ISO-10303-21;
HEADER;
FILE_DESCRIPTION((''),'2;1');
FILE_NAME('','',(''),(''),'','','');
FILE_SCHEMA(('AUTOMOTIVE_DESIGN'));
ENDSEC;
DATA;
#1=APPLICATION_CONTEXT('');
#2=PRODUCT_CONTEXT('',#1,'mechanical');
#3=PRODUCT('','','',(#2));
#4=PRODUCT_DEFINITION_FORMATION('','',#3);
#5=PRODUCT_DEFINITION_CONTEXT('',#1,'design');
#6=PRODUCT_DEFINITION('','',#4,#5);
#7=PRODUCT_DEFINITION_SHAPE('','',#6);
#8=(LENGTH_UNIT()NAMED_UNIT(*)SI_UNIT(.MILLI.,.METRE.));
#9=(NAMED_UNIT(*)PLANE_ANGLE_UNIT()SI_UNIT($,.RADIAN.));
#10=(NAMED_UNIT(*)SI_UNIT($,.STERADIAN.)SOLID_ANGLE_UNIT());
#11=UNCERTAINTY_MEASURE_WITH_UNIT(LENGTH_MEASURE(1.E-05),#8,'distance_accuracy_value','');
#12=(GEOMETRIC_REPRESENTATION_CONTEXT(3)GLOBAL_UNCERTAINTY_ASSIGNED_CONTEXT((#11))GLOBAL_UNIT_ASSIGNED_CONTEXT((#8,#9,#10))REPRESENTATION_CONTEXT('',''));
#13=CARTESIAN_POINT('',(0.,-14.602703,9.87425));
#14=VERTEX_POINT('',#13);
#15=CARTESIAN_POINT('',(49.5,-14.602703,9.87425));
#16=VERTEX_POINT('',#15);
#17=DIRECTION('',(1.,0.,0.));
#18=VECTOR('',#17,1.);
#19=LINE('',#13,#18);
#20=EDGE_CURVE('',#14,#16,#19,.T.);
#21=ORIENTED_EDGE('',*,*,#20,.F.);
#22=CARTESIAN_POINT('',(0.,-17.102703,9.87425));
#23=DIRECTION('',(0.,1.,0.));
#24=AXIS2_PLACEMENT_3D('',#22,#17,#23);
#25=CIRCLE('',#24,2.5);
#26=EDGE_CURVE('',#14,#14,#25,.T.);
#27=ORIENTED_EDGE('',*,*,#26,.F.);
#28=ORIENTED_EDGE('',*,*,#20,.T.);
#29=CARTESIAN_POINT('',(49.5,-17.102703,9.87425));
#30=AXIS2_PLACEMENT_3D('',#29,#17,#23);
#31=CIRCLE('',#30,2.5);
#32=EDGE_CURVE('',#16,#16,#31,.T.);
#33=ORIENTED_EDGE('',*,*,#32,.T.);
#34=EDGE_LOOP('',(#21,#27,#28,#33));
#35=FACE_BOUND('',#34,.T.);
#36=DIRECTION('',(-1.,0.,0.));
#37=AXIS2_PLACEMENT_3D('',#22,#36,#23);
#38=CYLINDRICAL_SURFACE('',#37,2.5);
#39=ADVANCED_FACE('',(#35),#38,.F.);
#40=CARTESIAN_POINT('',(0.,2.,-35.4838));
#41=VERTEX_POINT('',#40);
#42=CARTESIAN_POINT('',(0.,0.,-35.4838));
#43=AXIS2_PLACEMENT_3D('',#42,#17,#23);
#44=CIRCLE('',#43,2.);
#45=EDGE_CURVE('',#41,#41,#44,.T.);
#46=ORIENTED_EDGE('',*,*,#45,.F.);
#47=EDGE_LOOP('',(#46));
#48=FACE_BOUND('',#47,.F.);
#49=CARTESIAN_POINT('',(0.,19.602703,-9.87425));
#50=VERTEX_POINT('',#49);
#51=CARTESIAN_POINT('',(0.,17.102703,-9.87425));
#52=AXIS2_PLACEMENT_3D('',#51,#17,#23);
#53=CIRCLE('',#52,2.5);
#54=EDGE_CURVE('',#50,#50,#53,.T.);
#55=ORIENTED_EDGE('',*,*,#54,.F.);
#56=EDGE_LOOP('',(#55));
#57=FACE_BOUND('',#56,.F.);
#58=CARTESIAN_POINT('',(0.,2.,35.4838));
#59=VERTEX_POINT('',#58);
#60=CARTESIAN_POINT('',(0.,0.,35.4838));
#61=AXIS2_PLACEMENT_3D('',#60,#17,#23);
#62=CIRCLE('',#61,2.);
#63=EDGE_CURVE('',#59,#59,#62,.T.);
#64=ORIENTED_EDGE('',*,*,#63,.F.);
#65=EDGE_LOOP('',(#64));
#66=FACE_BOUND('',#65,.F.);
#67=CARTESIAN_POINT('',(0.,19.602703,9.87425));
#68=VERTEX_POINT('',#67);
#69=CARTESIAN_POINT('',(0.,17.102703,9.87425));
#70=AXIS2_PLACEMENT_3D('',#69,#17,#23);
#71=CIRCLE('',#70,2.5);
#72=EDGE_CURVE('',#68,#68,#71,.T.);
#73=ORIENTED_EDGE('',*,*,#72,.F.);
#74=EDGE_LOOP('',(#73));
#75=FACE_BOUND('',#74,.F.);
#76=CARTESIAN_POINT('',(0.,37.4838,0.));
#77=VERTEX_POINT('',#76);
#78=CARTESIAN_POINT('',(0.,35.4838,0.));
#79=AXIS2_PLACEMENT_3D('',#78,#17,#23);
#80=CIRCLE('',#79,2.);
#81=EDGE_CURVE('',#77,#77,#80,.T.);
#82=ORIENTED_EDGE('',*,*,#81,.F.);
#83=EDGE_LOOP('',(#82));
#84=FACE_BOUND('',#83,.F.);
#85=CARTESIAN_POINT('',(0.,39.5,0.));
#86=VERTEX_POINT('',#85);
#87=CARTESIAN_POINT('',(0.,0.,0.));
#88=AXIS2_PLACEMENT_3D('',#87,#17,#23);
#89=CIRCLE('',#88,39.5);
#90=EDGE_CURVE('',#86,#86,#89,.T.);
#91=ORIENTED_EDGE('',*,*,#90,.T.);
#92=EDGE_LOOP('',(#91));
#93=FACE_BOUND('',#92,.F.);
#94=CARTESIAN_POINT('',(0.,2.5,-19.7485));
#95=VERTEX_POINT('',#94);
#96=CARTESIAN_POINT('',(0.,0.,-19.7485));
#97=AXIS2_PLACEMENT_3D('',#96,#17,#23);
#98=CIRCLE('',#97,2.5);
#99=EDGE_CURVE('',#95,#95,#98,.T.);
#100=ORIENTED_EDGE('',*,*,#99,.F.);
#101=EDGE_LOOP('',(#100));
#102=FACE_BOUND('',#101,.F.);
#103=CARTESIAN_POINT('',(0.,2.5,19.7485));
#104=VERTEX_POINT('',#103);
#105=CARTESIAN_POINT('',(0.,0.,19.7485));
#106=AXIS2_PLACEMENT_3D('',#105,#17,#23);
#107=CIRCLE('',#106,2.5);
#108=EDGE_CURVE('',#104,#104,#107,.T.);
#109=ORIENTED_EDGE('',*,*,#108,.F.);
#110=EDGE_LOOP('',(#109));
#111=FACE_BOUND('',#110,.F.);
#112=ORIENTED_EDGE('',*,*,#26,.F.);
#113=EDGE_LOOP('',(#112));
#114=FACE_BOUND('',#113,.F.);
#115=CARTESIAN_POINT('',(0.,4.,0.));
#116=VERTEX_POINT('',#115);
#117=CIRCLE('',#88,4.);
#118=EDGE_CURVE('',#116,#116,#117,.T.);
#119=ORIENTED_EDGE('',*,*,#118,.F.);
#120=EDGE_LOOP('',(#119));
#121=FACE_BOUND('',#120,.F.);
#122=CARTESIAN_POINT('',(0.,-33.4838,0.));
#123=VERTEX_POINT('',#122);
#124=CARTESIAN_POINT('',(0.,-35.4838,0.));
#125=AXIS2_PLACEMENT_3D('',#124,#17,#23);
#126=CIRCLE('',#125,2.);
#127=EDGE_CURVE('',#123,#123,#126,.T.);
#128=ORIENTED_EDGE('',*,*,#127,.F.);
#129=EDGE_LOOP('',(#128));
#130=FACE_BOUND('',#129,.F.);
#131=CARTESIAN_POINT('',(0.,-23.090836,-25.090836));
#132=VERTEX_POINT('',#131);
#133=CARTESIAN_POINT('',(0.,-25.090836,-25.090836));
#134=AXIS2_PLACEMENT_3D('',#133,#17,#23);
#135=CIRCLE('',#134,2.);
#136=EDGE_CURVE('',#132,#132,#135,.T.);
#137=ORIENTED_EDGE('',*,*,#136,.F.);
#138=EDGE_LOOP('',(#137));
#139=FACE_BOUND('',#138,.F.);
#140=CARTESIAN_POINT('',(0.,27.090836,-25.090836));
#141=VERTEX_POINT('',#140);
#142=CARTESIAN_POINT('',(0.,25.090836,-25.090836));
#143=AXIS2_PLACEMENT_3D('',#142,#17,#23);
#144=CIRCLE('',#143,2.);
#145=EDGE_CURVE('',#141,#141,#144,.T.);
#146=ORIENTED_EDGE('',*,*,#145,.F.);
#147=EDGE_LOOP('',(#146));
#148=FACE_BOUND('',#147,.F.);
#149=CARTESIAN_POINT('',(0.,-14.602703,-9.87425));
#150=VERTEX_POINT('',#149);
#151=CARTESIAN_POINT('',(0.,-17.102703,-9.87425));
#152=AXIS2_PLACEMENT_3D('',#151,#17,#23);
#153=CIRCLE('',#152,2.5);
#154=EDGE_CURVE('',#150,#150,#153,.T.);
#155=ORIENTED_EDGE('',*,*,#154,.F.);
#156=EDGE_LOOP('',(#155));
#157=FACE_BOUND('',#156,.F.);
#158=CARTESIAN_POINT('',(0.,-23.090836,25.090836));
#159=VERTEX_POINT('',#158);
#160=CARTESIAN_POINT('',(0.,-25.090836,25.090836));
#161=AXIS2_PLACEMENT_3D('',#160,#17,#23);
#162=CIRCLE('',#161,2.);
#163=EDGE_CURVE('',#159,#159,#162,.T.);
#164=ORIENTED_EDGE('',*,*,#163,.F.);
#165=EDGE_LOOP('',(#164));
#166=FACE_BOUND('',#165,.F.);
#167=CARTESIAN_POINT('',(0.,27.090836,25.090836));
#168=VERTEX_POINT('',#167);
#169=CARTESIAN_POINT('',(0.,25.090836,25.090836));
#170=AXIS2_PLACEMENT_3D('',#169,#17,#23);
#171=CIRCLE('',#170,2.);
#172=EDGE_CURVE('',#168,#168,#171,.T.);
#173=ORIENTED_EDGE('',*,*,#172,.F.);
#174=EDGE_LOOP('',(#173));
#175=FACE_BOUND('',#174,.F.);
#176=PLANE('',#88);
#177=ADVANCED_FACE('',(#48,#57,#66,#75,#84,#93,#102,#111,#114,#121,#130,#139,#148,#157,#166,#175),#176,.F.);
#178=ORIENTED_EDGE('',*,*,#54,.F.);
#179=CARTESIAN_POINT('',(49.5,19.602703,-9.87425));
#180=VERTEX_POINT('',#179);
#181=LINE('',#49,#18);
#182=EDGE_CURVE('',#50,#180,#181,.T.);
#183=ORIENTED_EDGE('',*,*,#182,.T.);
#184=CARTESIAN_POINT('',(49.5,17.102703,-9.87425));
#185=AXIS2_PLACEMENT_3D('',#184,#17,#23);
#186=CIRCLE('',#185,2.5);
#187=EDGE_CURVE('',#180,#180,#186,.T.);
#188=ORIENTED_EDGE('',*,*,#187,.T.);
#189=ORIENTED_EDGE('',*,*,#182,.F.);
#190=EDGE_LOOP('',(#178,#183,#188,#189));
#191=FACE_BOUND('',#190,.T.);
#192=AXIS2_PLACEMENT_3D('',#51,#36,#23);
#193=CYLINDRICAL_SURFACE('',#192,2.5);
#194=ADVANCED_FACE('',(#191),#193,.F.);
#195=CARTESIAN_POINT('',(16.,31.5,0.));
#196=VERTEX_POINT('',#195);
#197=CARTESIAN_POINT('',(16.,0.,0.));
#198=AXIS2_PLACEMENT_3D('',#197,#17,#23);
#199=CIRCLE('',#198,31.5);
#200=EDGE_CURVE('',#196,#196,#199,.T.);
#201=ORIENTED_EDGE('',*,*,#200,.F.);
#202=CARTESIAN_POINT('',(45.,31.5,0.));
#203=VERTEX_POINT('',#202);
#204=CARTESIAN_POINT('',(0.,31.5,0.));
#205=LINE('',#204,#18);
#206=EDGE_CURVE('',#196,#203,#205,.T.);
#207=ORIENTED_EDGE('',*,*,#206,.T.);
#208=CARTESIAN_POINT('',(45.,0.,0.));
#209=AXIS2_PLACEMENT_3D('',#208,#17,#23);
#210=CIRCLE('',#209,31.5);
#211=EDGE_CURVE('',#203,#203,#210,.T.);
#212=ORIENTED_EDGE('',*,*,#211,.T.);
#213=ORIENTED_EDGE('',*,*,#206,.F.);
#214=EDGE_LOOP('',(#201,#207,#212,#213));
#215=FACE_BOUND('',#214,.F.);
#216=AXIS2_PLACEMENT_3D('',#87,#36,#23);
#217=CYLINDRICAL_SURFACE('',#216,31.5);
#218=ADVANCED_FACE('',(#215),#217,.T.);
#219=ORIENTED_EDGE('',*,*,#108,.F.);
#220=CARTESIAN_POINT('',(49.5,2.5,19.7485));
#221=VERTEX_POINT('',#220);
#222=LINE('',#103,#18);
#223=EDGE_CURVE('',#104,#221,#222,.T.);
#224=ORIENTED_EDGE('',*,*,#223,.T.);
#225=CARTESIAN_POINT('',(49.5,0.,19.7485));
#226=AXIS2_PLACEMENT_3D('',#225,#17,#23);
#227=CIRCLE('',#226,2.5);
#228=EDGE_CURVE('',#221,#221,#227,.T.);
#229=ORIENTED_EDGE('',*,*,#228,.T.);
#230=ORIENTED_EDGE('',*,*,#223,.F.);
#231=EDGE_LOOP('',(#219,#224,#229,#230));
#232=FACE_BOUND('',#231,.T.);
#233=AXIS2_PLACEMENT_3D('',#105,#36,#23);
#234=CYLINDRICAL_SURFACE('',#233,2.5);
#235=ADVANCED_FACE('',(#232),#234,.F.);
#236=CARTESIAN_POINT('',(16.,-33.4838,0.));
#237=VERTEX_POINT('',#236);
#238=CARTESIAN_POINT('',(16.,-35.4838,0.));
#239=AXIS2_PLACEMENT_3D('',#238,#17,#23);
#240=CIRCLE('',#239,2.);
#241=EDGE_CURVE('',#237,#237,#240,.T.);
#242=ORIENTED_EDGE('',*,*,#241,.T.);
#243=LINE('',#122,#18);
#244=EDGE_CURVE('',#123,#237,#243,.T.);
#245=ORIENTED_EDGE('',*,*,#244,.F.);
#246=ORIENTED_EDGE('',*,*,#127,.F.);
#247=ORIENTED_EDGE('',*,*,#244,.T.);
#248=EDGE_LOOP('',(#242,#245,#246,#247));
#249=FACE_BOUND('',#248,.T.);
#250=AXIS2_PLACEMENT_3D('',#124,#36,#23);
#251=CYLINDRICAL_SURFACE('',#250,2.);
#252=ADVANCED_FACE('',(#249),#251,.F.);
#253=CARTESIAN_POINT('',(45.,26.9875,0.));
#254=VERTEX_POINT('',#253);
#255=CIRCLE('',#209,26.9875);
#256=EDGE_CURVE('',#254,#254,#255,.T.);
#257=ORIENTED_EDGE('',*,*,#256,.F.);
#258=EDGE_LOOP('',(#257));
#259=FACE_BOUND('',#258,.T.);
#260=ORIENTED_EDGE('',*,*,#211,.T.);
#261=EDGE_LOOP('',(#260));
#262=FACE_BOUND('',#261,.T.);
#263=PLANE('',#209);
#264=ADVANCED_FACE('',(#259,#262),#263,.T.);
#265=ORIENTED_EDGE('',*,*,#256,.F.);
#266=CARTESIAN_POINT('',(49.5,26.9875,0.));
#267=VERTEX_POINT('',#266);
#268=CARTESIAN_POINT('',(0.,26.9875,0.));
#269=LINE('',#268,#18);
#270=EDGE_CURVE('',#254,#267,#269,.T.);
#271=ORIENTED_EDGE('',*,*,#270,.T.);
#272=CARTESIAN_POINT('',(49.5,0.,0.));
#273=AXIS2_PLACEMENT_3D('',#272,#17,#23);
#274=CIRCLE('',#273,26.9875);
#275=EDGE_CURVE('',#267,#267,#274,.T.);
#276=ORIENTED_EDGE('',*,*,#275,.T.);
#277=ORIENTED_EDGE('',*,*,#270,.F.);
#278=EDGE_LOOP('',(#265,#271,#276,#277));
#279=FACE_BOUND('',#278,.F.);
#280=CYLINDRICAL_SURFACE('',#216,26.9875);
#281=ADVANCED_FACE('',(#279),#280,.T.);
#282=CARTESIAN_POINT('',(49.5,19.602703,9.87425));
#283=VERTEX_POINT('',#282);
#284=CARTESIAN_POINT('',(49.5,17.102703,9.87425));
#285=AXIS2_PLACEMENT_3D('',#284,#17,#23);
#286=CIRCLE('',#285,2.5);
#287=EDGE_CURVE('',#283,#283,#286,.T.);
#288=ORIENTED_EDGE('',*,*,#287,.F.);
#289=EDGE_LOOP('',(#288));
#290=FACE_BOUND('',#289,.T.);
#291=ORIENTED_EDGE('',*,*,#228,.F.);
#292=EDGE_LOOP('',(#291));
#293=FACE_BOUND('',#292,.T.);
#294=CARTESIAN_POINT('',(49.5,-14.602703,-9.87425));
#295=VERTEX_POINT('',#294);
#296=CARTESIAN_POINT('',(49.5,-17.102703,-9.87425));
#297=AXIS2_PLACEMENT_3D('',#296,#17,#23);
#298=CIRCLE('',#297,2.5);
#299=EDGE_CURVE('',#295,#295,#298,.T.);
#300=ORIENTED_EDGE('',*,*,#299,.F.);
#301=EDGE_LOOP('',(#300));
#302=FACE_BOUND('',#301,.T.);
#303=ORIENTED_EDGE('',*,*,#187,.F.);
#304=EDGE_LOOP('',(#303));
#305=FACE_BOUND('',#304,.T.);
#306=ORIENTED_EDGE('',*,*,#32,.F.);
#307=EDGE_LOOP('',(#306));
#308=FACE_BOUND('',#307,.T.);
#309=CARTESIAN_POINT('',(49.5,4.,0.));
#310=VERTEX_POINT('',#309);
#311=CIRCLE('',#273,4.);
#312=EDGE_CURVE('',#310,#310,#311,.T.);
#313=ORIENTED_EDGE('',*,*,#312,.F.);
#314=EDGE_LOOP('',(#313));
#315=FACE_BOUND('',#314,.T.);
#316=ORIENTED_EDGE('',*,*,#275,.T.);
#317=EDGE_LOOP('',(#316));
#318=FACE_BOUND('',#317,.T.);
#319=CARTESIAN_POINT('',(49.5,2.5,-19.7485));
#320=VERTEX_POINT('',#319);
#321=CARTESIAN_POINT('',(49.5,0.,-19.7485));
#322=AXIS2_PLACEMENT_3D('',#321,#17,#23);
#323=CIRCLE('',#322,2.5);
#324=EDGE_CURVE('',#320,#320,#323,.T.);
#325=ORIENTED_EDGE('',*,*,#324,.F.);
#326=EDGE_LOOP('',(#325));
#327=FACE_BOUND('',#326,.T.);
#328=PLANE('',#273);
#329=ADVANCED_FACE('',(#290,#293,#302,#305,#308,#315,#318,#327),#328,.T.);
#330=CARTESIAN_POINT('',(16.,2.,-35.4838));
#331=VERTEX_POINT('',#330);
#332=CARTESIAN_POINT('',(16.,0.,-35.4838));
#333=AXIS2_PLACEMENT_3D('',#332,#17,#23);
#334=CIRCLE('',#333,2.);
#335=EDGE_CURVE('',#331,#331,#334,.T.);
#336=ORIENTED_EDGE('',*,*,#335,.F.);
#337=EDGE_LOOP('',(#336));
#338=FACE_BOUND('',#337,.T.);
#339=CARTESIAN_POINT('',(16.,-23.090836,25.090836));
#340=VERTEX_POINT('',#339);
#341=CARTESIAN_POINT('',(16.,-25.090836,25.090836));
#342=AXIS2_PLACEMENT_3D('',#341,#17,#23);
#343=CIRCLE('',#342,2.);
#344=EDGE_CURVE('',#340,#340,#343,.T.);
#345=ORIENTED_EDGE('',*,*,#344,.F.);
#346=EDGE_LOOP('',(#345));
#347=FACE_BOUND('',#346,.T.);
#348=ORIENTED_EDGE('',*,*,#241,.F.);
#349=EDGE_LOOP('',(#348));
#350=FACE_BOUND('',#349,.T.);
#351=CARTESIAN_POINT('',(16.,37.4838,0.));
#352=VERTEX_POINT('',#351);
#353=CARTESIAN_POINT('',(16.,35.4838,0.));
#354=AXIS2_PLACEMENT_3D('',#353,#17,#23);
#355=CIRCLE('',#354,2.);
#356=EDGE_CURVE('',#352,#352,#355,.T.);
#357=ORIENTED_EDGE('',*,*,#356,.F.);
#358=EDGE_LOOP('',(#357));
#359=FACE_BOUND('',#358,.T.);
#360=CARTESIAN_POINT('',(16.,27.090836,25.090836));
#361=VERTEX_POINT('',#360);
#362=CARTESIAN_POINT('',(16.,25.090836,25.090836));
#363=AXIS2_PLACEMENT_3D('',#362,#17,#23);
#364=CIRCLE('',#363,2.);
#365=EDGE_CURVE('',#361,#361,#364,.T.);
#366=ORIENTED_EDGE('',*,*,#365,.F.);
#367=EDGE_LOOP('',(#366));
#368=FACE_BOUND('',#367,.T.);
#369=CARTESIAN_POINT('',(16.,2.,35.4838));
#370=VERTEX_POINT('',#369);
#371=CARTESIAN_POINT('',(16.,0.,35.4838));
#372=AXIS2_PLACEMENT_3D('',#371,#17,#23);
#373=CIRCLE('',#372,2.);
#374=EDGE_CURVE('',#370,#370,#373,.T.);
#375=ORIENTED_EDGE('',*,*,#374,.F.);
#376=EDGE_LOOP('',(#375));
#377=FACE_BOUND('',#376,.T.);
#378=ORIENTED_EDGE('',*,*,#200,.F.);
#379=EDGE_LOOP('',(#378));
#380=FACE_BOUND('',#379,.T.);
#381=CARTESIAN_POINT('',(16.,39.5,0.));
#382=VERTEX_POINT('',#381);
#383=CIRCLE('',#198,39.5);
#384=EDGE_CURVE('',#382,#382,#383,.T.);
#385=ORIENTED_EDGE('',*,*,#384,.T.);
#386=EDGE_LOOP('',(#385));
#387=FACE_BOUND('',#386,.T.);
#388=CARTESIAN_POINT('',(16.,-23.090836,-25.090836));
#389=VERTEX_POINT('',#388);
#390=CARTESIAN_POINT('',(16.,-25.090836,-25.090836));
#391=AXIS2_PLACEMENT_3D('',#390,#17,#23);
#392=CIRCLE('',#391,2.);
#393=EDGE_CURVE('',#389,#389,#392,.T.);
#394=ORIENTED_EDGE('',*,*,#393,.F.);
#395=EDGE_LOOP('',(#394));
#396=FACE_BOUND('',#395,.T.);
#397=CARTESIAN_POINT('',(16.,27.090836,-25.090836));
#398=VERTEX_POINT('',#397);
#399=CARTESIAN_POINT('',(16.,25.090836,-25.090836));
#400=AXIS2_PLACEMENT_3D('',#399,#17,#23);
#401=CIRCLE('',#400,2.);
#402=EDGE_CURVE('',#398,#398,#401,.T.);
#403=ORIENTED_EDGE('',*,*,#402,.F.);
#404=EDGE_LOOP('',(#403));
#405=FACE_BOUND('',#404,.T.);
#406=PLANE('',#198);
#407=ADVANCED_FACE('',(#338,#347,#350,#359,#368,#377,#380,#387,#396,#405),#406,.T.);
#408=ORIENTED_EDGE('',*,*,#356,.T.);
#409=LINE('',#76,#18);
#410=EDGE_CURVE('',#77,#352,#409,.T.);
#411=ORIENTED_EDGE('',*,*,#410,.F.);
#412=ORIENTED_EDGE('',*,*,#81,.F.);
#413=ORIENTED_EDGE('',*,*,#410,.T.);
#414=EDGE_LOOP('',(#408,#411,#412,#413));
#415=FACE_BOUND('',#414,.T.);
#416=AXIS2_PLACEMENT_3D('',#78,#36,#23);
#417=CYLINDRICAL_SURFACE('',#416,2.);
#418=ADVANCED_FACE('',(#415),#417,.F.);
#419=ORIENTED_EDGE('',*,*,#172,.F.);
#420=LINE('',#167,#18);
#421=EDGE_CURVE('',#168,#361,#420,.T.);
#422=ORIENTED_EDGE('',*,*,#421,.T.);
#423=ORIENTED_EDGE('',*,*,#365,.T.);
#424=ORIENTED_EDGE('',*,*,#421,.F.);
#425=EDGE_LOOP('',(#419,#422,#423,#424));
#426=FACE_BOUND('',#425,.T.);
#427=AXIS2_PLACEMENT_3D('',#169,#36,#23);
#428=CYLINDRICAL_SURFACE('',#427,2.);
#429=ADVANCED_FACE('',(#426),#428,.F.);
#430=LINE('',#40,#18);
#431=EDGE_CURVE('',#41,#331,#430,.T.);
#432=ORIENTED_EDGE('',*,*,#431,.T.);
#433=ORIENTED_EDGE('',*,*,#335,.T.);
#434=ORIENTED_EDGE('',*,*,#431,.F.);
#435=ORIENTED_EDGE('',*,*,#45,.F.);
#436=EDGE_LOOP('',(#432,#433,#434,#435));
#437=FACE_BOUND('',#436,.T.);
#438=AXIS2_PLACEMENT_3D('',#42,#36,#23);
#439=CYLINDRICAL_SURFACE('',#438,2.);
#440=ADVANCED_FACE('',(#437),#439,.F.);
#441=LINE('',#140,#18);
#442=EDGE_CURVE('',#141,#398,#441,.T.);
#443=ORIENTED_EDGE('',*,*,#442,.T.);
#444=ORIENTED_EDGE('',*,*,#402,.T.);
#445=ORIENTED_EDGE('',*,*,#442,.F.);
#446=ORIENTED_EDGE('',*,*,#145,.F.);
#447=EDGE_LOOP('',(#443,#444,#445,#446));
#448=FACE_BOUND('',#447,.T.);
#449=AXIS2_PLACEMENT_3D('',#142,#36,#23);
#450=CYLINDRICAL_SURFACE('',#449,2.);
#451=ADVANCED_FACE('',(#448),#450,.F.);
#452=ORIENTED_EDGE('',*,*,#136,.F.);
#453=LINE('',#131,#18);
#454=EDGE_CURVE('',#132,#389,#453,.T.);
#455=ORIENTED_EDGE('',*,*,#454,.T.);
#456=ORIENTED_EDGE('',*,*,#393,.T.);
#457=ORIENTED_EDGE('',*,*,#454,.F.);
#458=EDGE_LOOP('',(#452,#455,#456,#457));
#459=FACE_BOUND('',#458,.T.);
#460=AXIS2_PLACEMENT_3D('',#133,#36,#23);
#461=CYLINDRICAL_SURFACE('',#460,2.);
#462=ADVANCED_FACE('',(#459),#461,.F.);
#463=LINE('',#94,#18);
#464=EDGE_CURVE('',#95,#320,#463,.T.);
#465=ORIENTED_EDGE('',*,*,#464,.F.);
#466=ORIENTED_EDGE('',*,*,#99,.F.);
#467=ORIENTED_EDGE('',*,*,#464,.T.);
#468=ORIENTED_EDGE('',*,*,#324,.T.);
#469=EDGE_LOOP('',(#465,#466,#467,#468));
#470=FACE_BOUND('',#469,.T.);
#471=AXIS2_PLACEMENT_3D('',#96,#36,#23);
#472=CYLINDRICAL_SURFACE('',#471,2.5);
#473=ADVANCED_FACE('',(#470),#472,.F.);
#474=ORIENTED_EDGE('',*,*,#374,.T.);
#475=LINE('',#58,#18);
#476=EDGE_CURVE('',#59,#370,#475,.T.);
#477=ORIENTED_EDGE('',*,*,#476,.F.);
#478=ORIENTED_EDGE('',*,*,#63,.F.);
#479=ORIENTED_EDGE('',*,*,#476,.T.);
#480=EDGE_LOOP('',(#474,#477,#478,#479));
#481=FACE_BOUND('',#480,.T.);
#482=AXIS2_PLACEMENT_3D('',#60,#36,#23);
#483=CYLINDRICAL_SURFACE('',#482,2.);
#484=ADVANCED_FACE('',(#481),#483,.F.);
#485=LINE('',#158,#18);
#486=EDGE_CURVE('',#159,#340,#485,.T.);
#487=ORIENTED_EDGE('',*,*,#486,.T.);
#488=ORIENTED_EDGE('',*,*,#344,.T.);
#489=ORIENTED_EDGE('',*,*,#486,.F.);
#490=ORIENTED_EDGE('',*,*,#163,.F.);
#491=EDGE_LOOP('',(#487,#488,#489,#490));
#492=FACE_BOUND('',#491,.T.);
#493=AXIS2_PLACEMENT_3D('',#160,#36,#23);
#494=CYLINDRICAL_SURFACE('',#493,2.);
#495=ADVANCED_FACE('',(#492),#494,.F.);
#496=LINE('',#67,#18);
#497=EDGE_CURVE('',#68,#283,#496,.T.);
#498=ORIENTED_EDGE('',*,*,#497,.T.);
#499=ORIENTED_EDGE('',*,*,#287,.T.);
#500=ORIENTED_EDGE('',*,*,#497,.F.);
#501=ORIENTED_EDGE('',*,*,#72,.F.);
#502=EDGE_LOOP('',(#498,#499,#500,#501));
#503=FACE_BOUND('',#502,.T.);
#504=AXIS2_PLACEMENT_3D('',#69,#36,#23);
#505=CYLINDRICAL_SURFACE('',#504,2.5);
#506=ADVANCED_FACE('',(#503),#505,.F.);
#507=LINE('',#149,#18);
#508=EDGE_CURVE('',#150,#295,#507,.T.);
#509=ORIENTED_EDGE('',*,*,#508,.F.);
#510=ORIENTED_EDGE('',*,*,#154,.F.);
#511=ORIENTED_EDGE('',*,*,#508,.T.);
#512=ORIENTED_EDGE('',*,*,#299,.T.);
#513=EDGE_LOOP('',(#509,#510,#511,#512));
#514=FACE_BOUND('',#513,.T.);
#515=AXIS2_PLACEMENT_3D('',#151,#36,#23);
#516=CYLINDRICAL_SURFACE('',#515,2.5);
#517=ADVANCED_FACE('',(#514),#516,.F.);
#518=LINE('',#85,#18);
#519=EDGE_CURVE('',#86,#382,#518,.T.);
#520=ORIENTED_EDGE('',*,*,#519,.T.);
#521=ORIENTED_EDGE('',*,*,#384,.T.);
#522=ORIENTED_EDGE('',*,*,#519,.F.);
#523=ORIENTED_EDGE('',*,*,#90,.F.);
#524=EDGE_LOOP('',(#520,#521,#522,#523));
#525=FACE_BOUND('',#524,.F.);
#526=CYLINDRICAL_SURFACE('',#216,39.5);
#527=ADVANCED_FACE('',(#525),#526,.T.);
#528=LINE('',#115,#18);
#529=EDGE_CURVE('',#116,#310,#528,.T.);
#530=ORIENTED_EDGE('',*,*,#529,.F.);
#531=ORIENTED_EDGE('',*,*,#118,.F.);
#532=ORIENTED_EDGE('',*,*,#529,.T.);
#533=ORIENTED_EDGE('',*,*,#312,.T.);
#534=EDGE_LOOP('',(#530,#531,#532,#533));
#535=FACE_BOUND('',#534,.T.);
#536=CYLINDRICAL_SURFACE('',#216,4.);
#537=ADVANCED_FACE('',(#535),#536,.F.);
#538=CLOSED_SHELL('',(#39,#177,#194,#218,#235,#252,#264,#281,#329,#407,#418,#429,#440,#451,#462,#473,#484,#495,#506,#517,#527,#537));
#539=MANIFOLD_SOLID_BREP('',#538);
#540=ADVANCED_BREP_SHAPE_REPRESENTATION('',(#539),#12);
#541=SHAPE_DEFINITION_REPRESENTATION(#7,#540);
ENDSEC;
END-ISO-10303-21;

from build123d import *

# Parameters (mm, degrees)
F0_R     = 31.5
F0_R_2   = 26.9875
F1_DEPTH = 45
F0_R_3   = 39.5
F0_R_4   = 2
F2_DEPTH = 16
F0_R_5   = 2.5
F0_R_6   = 4
F3_DEPTH = 49.5


with BuildPart() as f1:
    # F0 (on Right) → F1 (new body)
    with BuildSketch(Plane.YZ):
        Circle(F0_R)
        Circle(F0_R_2, mode=Mode.SUBTRACT)
    extrude(amount=F1_DEPTH)

    # F0 (on Right) → F2 (join)
    with BuildSketch(Plane.YZ):
        Circle(F0_R_3)
        with Locations((-25.090836, -25.090836)):
            Circle(F0_R_4, mode=Mode.SUBTRACT)
        with Locations((0, -35.4838)):
            Circle(F0_R_4, mode=Mode.SUBTRACT)
        with Locations((25.090836, -25.090836)):
            Circle(F0_R_4, mode=Mode.SUBTRACT)
        with Locations((-35.4838, 0)):
            Circle(F0_R_4, mode=Mode.SUBTRACT)
        with Locations((-25.090836, 25.090836)):
            Circle(F0_R_4, mode=Mode.SUBTRACT)
        Circle(F0_R, mode=Mode.SUBTRACT)
        with Locations((35.4838, 0)):
            Circle(F0_R_4, mode=Mode.SUBTRACT)
        with Locations((0, 35.4838)):
            Circle(F0_R_4, mode=Mode.SUBTRACT)
        with Locations((25.090836, 25.090836)):
            Circle(F0_R_4, mode=Mode.SUBTRACT)
    extrude(amount=F2_DEPTH)

    # F0 (on Right) → F3 (join)
    with BuildSketch(Plane.YZ):
        Circle(F0_R_2)
        with Locations((-17.102703, -9.87425)):
            Circle(F0_R_5, mode=Mode.SUBTRACT)
        with Locations((0, -19.7485)):
            Circle(F0_R_5, mode=Mode.SUBTRACT)
        with Locations((17.102703, -9.87425)):
            Circle(F0_R_5, mode=Mode.SUBTRACT)
        with Locations((-17.102703, 9.87425)):
            Circle(F0_R_5, mode=Mode.SUBTRACT)
        Circle(F0_R_6, mode=Mode.SUBTRACT)
        with Locations((17.102703, 9.87425)):
            Circle(F0_R_5, mode=Mode.SUBTRACT)
        with Locations((0, 19.7485)):
            Circle(F0_R_5, mode=Mode.SUBTRACT)
    extrude(amount=F3_DEPTH)


solid = f1.part
